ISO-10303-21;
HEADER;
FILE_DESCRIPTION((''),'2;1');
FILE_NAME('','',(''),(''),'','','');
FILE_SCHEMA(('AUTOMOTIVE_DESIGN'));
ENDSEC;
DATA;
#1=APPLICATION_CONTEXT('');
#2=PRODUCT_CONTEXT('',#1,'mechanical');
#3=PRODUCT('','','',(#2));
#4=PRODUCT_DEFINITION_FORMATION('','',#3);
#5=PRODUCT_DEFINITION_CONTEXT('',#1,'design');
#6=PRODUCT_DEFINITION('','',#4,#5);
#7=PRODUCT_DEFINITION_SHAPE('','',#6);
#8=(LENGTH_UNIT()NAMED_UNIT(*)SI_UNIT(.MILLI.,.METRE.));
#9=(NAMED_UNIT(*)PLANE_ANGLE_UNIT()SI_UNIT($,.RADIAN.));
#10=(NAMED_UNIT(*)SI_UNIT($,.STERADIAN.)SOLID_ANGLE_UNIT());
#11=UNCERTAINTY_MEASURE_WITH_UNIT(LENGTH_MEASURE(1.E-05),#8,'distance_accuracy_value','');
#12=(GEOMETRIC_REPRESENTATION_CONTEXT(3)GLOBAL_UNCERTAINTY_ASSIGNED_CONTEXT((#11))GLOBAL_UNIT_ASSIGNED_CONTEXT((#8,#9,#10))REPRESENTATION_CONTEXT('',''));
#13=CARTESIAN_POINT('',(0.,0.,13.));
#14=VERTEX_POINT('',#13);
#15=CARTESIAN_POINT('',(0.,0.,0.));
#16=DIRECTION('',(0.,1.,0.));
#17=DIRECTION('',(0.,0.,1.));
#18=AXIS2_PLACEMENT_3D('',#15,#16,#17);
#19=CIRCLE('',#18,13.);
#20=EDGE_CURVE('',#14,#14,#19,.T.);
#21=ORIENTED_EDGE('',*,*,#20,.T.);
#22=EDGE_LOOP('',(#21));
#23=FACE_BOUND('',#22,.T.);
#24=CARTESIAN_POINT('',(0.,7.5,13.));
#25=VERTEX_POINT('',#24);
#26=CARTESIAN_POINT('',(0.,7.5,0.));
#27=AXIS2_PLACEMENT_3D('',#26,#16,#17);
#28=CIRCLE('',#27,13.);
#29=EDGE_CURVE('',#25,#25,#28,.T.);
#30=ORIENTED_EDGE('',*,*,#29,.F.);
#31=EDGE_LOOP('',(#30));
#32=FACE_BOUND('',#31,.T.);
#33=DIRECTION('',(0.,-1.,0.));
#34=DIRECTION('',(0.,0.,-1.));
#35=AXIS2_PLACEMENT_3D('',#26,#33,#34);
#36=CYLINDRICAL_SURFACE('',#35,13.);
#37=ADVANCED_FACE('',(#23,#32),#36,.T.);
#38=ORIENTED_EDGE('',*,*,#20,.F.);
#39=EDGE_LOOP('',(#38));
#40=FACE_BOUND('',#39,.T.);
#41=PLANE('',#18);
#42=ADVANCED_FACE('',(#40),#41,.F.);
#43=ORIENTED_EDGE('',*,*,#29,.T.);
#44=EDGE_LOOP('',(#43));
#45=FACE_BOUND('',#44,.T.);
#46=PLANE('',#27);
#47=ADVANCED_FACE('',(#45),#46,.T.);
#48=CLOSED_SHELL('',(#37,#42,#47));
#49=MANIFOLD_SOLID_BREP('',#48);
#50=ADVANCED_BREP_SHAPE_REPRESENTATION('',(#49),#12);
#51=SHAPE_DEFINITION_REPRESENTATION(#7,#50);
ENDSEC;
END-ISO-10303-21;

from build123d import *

# Parameters (mm, degrees)
SKETCH1_R           = 13
BOSS_EXTRUDE1_DEPTH = 7.5


with BuildPart() as part:
    # Sketch1 → Boss-Extrude1 (new body)
    with BuildSketch(Plane(origin=(0, 0, 0), x_dir=(1, 0, 0), z_dir=(0, 1, 0))):
        Circle(SKETCH1_R)
    extrude(amount=BOSS_EXTRUDE1_DEPTH)


solid = part.part
